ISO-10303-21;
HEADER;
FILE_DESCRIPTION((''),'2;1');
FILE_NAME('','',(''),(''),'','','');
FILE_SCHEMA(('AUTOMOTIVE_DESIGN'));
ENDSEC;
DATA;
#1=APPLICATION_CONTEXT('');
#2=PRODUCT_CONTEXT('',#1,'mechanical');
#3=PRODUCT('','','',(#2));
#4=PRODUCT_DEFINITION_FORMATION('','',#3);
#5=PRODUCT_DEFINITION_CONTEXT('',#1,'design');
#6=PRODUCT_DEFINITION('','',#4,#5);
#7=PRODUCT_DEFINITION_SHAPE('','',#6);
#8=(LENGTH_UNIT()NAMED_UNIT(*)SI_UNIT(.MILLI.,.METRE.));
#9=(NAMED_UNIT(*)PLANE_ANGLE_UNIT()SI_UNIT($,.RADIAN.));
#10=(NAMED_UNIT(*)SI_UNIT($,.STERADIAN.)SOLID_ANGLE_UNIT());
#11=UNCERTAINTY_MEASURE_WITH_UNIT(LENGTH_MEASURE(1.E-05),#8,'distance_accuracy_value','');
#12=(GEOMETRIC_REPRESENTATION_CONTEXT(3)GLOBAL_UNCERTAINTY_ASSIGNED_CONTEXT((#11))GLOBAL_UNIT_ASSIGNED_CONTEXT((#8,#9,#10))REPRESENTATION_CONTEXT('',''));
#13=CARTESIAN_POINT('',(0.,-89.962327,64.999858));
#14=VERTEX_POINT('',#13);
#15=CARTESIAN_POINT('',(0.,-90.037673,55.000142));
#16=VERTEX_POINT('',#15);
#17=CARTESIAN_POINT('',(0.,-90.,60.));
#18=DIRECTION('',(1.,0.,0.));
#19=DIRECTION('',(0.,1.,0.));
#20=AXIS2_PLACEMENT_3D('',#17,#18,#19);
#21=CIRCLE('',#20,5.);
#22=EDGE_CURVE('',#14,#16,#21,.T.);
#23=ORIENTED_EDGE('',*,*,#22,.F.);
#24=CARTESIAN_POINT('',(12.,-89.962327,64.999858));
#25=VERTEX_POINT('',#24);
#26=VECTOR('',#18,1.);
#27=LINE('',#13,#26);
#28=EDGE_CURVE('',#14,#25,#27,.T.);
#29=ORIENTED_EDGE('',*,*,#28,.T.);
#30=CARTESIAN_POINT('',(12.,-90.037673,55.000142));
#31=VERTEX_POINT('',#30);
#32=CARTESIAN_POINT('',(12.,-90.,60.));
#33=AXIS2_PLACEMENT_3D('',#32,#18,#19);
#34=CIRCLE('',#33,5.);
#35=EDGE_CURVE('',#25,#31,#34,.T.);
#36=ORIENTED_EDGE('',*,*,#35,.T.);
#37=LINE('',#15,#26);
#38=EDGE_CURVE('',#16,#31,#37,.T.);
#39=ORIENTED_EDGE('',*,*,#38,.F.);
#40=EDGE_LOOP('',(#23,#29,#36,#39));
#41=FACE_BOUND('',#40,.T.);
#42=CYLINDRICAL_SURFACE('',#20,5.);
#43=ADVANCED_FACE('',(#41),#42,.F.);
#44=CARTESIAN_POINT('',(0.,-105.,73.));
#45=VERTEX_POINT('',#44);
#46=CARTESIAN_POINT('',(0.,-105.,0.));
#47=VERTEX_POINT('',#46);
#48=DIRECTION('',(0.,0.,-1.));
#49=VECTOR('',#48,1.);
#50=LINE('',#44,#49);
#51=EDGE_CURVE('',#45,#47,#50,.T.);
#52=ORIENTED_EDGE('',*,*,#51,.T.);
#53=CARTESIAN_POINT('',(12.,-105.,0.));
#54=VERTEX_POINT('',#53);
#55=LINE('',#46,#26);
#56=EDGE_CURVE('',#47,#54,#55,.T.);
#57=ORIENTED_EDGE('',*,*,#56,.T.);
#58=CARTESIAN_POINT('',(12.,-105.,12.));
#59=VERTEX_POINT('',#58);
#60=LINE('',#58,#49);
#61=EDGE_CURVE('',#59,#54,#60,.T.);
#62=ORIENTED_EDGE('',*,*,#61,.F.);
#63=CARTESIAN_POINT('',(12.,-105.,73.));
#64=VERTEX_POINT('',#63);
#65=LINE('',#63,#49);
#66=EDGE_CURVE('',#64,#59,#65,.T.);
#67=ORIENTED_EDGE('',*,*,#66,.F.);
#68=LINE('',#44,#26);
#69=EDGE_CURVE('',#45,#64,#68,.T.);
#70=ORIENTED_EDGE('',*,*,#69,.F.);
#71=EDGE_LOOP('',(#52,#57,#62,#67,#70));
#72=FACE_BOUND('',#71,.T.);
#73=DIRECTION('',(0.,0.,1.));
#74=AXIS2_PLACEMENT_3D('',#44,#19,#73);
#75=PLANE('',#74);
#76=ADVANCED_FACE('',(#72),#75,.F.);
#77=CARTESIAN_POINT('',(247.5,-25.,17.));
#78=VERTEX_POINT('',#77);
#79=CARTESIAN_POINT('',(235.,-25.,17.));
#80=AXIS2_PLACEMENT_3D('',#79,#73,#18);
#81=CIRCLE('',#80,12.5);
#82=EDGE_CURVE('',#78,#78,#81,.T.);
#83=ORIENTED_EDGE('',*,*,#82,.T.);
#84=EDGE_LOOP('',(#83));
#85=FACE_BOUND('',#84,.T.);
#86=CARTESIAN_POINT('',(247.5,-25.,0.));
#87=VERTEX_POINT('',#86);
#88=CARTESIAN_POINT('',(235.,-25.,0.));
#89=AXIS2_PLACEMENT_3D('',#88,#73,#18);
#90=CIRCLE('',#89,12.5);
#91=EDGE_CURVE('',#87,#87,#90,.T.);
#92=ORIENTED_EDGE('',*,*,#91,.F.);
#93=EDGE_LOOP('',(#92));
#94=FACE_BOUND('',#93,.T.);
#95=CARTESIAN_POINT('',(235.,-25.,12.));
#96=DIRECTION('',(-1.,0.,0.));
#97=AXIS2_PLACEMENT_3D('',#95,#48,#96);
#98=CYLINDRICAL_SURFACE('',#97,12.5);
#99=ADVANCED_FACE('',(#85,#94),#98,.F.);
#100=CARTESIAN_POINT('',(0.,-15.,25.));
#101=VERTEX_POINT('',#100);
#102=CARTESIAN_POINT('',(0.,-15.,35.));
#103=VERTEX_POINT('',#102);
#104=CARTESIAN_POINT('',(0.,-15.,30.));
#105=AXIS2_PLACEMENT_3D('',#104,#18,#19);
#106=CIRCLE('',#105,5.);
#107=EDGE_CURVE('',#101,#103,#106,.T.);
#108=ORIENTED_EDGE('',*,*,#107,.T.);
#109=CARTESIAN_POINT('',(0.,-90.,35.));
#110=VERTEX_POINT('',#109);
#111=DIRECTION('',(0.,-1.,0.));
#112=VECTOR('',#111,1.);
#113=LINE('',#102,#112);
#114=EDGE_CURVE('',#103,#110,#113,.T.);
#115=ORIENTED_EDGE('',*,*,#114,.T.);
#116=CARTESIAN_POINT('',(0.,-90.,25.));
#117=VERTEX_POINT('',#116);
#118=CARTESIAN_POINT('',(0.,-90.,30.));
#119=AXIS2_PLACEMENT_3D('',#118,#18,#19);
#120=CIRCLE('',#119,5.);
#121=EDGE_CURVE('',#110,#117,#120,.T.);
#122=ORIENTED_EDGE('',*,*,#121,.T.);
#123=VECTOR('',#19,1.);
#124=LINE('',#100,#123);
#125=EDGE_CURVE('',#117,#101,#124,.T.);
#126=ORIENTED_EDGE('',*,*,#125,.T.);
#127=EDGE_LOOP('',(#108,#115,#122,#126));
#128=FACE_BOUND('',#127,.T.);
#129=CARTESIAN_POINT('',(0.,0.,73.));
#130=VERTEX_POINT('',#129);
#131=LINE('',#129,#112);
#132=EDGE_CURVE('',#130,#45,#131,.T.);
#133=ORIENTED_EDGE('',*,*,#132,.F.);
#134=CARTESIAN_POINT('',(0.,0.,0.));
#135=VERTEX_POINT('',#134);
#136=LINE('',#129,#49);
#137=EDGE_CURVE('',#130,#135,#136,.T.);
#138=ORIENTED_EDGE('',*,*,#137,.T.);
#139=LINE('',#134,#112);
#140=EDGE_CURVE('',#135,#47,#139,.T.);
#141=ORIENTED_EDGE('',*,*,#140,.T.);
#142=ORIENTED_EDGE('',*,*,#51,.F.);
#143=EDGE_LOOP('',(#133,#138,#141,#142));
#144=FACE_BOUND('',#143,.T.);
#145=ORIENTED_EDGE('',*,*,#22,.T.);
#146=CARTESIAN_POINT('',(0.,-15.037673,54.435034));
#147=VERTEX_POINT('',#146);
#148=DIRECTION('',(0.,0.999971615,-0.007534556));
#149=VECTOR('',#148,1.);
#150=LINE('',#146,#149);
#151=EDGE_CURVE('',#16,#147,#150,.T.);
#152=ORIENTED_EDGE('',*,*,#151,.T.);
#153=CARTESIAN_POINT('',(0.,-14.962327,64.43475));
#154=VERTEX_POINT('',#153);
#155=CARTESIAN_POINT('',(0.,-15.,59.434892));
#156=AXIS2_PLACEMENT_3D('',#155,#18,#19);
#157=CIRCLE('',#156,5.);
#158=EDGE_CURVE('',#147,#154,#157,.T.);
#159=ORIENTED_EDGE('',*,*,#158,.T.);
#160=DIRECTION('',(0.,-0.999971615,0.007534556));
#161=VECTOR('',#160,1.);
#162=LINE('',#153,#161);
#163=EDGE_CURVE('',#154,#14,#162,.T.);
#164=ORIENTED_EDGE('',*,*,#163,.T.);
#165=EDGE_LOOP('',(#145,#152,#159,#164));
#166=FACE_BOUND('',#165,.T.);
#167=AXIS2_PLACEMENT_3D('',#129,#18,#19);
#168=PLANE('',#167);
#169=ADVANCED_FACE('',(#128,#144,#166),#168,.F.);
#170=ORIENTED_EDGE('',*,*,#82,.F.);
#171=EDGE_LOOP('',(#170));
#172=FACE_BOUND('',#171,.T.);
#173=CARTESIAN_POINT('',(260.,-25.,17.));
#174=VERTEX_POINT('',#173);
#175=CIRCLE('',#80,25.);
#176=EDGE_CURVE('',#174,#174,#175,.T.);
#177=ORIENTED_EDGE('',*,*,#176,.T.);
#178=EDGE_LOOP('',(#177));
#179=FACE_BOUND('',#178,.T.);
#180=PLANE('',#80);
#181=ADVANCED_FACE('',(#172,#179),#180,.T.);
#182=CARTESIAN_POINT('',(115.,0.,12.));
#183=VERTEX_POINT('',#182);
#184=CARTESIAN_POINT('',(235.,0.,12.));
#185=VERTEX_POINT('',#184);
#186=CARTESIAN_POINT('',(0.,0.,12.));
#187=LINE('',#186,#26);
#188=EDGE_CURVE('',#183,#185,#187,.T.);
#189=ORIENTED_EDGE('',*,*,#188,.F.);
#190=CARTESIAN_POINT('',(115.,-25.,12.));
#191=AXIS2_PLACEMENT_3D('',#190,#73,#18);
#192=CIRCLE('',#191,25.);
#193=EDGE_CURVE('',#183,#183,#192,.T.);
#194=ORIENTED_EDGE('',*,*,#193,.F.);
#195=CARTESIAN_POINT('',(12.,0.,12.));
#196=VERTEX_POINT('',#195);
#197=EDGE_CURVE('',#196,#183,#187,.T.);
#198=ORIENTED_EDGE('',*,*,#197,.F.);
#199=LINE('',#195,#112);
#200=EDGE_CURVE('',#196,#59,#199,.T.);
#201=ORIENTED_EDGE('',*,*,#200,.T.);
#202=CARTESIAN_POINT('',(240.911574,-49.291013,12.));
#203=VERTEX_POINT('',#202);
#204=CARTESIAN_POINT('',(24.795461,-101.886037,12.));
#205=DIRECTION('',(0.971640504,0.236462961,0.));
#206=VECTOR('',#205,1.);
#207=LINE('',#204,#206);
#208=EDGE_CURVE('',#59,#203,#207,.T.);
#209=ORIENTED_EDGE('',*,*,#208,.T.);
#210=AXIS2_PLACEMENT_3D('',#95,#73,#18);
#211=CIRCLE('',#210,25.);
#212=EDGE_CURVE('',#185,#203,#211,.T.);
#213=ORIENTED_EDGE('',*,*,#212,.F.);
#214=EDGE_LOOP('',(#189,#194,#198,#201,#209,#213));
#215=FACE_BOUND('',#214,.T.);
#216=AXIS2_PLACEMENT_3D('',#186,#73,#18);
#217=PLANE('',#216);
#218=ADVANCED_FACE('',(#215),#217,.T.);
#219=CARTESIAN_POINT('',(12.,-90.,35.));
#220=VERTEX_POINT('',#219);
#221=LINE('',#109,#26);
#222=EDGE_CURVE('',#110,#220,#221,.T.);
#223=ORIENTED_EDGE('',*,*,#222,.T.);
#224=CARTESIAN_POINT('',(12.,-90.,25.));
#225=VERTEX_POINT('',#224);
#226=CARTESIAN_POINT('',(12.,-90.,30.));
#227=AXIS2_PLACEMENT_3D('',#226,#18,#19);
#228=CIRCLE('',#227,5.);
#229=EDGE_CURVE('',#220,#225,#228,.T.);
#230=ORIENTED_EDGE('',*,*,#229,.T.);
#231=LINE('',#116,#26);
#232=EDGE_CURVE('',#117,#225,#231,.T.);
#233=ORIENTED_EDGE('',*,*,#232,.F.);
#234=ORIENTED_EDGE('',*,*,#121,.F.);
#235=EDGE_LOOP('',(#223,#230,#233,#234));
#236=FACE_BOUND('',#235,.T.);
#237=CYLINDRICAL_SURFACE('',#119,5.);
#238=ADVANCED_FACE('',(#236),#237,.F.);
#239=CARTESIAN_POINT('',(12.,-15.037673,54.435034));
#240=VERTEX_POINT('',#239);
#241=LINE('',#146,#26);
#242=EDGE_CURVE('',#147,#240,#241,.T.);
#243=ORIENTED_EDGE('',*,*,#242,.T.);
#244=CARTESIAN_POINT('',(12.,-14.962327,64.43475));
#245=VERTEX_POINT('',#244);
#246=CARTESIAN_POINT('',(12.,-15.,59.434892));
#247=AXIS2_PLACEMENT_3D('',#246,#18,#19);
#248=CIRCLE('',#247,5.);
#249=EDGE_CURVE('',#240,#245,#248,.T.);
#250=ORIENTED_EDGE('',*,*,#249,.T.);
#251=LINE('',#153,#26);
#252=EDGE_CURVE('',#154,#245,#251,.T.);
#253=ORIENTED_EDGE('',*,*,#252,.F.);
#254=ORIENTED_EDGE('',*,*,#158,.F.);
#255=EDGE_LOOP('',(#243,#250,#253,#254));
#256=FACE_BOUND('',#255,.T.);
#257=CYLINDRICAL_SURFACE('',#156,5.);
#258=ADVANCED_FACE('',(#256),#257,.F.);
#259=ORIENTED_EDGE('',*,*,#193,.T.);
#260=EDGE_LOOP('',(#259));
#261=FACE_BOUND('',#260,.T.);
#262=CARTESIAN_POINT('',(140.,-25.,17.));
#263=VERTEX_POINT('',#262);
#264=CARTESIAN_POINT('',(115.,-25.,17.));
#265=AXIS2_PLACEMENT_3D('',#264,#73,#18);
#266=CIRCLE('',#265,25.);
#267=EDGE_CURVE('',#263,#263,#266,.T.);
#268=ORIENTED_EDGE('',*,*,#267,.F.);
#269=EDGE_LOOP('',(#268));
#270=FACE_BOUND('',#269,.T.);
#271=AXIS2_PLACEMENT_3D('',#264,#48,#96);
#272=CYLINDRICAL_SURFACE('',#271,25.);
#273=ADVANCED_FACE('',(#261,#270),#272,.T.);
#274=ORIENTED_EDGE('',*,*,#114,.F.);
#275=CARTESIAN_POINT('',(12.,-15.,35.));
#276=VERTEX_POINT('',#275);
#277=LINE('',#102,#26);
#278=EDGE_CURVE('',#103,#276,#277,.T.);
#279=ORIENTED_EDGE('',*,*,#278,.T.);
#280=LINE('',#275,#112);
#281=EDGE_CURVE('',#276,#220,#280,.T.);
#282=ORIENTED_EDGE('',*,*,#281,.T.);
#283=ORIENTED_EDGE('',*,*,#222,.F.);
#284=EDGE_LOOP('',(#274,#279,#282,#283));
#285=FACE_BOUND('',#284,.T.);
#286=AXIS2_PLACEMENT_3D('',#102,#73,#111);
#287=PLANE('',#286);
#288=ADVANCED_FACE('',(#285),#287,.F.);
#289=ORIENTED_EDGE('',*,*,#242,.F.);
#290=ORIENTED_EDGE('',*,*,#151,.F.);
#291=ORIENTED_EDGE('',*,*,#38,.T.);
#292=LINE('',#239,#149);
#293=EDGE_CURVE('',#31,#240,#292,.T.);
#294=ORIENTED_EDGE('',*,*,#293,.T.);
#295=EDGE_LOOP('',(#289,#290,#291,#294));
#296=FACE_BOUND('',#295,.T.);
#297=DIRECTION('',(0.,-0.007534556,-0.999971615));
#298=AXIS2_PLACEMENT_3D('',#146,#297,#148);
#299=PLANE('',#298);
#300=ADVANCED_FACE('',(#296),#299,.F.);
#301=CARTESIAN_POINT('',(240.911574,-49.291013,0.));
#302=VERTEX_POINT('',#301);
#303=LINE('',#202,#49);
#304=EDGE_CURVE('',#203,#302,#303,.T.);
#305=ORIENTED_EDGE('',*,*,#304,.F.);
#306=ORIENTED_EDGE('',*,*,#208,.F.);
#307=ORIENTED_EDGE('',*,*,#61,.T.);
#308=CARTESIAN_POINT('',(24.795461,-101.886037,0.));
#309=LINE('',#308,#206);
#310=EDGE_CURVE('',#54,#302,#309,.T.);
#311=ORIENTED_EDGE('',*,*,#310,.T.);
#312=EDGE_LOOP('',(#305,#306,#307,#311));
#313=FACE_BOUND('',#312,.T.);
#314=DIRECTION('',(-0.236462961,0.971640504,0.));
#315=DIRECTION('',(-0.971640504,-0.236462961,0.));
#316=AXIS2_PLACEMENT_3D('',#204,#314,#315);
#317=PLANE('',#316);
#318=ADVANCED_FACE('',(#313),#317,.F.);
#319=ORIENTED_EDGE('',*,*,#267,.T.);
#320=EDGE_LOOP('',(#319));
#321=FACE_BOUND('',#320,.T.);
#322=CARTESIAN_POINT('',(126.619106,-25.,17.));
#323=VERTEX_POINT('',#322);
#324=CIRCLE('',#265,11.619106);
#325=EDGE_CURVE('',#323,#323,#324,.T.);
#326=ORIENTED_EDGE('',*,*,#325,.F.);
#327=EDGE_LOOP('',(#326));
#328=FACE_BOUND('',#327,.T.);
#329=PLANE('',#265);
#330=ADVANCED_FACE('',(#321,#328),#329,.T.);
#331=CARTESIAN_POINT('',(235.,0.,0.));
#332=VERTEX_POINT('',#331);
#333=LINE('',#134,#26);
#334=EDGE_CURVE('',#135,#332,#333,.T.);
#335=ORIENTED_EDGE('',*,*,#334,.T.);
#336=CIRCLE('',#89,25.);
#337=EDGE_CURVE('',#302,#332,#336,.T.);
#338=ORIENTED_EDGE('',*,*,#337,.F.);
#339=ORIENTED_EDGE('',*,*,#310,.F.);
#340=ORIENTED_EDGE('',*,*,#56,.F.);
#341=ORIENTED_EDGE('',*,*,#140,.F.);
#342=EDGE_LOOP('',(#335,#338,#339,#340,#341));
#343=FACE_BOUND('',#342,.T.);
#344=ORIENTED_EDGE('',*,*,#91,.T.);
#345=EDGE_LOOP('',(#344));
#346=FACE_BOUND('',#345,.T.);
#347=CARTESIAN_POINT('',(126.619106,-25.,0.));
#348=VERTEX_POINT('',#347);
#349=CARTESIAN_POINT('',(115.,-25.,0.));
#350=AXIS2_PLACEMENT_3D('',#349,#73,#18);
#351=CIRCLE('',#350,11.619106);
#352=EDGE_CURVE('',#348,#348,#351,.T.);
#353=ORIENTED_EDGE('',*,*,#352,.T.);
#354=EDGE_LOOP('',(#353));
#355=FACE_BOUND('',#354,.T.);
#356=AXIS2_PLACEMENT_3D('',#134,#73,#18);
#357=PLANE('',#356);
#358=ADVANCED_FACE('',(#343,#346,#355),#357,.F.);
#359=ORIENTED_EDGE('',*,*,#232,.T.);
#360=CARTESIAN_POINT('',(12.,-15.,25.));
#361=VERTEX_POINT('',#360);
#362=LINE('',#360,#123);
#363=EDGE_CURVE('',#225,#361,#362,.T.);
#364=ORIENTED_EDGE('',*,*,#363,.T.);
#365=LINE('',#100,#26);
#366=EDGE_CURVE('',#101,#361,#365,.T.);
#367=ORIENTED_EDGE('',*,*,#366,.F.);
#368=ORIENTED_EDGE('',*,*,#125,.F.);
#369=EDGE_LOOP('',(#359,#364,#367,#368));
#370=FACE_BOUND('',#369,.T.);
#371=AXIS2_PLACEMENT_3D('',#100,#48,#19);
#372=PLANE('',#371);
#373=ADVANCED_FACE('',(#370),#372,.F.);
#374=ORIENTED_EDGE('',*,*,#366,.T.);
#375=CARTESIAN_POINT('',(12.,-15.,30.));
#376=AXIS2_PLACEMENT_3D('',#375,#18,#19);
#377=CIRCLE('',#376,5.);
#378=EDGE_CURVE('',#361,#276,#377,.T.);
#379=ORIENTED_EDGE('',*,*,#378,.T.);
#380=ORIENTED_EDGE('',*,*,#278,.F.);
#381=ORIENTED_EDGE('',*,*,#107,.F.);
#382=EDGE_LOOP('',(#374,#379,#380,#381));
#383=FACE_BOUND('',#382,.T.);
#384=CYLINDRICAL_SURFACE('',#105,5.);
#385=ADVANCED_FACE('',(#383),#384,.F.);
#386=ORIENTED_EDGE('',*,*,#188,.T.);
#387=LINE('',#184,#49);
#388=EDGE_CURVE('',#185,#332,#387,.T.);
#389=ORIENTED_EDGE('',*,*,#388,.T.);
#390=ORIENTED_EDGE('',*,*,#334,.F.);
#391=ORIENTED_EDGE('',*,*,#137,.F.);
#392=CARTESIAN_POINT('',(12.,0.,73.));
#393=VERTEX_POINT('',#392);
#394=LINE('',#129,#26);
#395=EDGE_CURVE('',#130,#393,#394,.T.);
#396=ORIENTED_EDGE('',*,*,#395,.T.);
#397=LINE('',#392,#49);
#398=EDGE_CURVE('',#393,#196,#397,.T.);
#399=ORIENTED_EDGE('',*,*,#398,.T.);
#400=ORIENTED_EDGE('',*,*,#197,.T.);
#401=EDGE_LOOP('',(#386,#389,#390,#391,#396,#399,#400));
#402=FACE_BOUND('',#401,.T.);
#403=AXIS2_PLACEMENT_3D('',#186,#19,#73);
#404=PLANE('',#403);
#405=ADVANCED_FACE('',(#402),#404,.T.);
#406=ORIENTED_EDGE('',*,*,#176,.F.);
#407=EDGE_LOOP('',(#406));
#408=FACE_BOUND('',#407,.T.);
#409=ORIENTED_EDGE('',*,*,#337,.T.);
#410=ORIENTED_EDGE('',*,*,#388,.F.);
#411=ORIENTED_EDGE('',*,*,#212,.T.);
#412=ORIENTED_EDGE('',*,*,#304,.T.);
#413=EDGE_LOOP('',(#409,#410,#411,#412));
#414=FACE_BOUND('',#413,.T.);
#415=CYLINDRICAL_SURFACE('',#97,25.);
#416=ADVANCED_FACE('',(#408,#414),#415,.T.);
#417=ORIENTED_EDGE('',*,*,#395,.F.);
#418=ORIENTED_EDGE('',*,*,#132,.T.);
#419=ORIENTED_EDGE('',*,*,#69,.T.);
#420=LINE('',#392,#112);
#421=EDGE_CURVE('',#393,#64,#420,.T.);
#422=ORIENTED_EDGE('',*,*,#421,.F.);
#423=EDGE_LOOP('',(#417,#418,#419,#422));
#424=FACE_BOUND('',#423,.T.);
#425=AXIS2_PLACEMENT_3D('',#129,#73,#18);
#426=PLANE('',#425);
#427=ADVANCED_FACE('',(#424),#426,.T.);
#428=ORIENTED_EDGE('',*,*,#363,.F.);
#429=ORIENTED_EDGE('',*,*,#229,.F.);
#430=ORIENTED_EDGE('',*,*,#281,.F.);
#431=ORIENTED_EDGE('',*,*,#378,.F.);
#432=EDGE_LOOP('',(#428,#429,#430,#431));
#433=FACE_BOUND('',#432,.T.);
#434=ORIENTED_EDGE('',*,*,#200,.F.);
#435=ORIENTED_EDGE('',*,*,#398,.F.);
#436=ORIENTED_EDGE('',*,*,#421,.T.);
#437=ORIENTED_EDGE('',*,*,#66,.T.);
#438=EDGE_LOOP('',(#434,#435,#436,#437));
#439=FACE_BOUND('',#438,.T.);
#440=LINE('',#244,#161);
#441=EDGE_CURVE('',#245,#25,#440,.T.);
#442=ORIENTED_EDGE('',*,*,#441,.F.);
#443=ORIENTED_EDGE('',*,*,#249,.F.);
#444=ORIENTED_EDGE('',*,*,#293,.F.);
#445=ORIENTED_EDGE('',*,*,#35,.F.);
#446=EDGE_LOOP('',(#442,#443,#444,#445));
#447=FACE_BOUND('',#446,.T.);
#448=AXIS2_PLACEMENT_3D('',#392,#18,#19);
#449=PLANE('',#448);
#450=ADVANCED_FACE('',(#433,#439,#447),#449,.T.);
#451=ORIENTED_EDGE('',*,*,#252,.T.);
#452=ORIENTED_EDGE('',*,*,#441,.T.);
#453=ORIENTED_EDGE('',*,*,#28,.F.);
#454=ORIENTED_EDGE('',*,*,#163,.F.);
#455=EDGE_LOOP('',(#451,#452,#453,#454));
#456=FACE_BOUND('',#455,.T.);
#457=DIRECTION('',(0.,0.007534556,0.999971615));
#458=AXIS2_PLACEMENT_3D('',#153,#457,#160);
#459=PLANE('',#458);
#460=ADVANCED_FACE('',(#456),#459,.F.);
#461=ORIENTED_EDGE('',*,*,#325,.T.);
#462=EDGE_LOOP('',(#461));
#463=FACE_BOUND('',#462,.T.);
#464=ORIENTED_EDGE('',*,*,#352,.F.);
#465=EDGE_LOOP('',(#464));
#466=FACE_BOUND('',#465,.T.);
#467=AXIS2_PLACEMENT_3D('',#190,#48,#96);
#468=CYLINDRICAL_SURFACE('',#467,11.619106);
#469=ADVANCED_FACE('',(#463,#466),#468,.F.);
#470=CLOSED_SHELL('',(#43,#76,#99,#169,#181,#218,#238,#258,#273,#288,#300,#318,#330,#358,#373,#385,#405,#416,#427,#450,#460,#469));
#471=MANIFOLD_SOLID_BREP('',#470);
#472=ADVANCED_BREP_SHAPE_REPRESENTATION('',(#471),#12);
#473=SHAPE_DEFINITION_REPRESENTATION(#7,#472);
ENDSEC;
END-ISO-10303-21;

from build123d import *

# Parameters (mm, degrees)
SKETCH1_R            = 25
SKETCH1_R_2          = 11.619106241
SKETCH1_R_3          = 12.5
BOSS_EXTRUDE41_DEPTH = 12
SKETCH1_11_W         = 12
SKETCH1_11_H         = 105
BOSS_EXTRUDE42_DEPTH = 73
BOSS_EXTRUDE43_START = 12
SKETCH1_12_R         = 25
SKETCH1_12_R_2       = 11.619106241
SKETCH1_12_R_3       = 12.5
BOSS_EXTRUDE43_DEPTH = 5
CUT_EXTRUDE1_DEPTH   = 280.030464287


with BuildPart() as part:
    # Sketch1 → Boss-Extrude41 (new body)
    # profile 1 of 3: a face of its own
    with BuildSketch(Plane.XY):
        with BuildLine():
            Line((115, 0), (12, 0))
            Line((12, 0), (12, -105))
            Line((12, -105), (240.911574023, -49.291012588))
            ThreePointArc((240.911574023, -49.291012588), (210.177879676, -27.976968701), (235, 0))
            Line((235, 0), (115, 0))
        make_face()
        with BuildLine():
            ThreePointArc((140, -25), (97.32233047, -42.67766953), (115, 0))
            ThreePointArc((115, 0), (132.67766953, -7.32233047), (140, -25))
        make_face(mode=Mode.SUBTRACT)
    # profile 2 of 3: a face of its own
    with BuildSketch(Plane.XY):
        with Locations((115, -25)):
            Circle(SKETCH1_R)
        with Locations((115, -25)):
            Circle(SKETCH1_R_2, mode=Mode.SUBTRACT)
    # profile 3 of 3: a face of its own
    with BuildSketch(Plane.XY):
        with Locations((235, -25)):
            Circle(SKETCH1_R)
        with Locations((235, -25)):
            Circle(SKETCH1_R_3, mode=Mode.SUBTRACT)
    extrude(amount=BOSS_EXTRUDE41_DEPTH)

    # Sketch1<11> → Boss-Extrude42 (add)
    with BuildSketch(Plane.XY):
        with Locations((6, -52.5)):
            Rectangle(SKETCH1_11_W, SKETCH1_11_H)
    extrude(amount=BOSS_EXTRUDE42_DEPTH)

    # Sketch1<12> → Boss-Extrude43 (add)
    # profile 1 of 2: a face of its own
    with BuildSketch(Plane.XY.offset(BOSS_EXTRUDE43_START)):
        with Locations(Location((115, -25, 0), (0, 0, 90))):
            Circle(SKETCH1_12_R)
        with Locations((115, -25)):
            Circle(SKETCH1_12_R_2, mode=Mode.SUBTRACT)
    # profile 2 of 2: a face of its own
    with BuildSketch(Plane.XY.offset(BOSS_EXTRUDE43_START)):
        with Locations(Location((235, -25, 0), (0, 0, 90))):
            Circle(SKETCH1_12_R)
        with Locations((235, -25)):
            Circle(SKETCH1_12_R_3, mode=Mode.SUBTRACT)
    extrude(amount=BOSS_EXTRUDE43_DEPTH)

    # Sketch2 → Cut-Extrude1 (cut, through all)
    with BuildSketch(Plane(origin=(12, 0, 0), x_dir=(0, 0, -1), z_dir=(1, 0, 0))):
        with BuildLine():
            Line((-54.435034179, -15.03767278), (-55.000141926, -90.03767278))
            ThreePointArc((-55.000141926, -90.03767278), (-60.03767278, -94.999858074), (-64.999858074, -89.96232722))
            Line((-64.999858074, -89.96232722), (-64.434750327, -14.96232722))
            ThreePointArc((-64.434750327, -14.96232722), (-59.397219473, -10.000141926), (-54.435034179, -15.03767278))
        make_face()
        with BuildLine():
            Line((-25, -15), (-25, -90))
            ThreePointArc((-25, -90), (-30, -95), (-35, -90))
            Line((-35, -90), (-35, -15))
            ThreePointArc((-35, -15), (-30, -10), (-25, -15))
        make_face()
    extrude(amount=-CUT_EXTRUDE1_DEPTH, mode=Mode.SUBTRACT)


solid = part.part
